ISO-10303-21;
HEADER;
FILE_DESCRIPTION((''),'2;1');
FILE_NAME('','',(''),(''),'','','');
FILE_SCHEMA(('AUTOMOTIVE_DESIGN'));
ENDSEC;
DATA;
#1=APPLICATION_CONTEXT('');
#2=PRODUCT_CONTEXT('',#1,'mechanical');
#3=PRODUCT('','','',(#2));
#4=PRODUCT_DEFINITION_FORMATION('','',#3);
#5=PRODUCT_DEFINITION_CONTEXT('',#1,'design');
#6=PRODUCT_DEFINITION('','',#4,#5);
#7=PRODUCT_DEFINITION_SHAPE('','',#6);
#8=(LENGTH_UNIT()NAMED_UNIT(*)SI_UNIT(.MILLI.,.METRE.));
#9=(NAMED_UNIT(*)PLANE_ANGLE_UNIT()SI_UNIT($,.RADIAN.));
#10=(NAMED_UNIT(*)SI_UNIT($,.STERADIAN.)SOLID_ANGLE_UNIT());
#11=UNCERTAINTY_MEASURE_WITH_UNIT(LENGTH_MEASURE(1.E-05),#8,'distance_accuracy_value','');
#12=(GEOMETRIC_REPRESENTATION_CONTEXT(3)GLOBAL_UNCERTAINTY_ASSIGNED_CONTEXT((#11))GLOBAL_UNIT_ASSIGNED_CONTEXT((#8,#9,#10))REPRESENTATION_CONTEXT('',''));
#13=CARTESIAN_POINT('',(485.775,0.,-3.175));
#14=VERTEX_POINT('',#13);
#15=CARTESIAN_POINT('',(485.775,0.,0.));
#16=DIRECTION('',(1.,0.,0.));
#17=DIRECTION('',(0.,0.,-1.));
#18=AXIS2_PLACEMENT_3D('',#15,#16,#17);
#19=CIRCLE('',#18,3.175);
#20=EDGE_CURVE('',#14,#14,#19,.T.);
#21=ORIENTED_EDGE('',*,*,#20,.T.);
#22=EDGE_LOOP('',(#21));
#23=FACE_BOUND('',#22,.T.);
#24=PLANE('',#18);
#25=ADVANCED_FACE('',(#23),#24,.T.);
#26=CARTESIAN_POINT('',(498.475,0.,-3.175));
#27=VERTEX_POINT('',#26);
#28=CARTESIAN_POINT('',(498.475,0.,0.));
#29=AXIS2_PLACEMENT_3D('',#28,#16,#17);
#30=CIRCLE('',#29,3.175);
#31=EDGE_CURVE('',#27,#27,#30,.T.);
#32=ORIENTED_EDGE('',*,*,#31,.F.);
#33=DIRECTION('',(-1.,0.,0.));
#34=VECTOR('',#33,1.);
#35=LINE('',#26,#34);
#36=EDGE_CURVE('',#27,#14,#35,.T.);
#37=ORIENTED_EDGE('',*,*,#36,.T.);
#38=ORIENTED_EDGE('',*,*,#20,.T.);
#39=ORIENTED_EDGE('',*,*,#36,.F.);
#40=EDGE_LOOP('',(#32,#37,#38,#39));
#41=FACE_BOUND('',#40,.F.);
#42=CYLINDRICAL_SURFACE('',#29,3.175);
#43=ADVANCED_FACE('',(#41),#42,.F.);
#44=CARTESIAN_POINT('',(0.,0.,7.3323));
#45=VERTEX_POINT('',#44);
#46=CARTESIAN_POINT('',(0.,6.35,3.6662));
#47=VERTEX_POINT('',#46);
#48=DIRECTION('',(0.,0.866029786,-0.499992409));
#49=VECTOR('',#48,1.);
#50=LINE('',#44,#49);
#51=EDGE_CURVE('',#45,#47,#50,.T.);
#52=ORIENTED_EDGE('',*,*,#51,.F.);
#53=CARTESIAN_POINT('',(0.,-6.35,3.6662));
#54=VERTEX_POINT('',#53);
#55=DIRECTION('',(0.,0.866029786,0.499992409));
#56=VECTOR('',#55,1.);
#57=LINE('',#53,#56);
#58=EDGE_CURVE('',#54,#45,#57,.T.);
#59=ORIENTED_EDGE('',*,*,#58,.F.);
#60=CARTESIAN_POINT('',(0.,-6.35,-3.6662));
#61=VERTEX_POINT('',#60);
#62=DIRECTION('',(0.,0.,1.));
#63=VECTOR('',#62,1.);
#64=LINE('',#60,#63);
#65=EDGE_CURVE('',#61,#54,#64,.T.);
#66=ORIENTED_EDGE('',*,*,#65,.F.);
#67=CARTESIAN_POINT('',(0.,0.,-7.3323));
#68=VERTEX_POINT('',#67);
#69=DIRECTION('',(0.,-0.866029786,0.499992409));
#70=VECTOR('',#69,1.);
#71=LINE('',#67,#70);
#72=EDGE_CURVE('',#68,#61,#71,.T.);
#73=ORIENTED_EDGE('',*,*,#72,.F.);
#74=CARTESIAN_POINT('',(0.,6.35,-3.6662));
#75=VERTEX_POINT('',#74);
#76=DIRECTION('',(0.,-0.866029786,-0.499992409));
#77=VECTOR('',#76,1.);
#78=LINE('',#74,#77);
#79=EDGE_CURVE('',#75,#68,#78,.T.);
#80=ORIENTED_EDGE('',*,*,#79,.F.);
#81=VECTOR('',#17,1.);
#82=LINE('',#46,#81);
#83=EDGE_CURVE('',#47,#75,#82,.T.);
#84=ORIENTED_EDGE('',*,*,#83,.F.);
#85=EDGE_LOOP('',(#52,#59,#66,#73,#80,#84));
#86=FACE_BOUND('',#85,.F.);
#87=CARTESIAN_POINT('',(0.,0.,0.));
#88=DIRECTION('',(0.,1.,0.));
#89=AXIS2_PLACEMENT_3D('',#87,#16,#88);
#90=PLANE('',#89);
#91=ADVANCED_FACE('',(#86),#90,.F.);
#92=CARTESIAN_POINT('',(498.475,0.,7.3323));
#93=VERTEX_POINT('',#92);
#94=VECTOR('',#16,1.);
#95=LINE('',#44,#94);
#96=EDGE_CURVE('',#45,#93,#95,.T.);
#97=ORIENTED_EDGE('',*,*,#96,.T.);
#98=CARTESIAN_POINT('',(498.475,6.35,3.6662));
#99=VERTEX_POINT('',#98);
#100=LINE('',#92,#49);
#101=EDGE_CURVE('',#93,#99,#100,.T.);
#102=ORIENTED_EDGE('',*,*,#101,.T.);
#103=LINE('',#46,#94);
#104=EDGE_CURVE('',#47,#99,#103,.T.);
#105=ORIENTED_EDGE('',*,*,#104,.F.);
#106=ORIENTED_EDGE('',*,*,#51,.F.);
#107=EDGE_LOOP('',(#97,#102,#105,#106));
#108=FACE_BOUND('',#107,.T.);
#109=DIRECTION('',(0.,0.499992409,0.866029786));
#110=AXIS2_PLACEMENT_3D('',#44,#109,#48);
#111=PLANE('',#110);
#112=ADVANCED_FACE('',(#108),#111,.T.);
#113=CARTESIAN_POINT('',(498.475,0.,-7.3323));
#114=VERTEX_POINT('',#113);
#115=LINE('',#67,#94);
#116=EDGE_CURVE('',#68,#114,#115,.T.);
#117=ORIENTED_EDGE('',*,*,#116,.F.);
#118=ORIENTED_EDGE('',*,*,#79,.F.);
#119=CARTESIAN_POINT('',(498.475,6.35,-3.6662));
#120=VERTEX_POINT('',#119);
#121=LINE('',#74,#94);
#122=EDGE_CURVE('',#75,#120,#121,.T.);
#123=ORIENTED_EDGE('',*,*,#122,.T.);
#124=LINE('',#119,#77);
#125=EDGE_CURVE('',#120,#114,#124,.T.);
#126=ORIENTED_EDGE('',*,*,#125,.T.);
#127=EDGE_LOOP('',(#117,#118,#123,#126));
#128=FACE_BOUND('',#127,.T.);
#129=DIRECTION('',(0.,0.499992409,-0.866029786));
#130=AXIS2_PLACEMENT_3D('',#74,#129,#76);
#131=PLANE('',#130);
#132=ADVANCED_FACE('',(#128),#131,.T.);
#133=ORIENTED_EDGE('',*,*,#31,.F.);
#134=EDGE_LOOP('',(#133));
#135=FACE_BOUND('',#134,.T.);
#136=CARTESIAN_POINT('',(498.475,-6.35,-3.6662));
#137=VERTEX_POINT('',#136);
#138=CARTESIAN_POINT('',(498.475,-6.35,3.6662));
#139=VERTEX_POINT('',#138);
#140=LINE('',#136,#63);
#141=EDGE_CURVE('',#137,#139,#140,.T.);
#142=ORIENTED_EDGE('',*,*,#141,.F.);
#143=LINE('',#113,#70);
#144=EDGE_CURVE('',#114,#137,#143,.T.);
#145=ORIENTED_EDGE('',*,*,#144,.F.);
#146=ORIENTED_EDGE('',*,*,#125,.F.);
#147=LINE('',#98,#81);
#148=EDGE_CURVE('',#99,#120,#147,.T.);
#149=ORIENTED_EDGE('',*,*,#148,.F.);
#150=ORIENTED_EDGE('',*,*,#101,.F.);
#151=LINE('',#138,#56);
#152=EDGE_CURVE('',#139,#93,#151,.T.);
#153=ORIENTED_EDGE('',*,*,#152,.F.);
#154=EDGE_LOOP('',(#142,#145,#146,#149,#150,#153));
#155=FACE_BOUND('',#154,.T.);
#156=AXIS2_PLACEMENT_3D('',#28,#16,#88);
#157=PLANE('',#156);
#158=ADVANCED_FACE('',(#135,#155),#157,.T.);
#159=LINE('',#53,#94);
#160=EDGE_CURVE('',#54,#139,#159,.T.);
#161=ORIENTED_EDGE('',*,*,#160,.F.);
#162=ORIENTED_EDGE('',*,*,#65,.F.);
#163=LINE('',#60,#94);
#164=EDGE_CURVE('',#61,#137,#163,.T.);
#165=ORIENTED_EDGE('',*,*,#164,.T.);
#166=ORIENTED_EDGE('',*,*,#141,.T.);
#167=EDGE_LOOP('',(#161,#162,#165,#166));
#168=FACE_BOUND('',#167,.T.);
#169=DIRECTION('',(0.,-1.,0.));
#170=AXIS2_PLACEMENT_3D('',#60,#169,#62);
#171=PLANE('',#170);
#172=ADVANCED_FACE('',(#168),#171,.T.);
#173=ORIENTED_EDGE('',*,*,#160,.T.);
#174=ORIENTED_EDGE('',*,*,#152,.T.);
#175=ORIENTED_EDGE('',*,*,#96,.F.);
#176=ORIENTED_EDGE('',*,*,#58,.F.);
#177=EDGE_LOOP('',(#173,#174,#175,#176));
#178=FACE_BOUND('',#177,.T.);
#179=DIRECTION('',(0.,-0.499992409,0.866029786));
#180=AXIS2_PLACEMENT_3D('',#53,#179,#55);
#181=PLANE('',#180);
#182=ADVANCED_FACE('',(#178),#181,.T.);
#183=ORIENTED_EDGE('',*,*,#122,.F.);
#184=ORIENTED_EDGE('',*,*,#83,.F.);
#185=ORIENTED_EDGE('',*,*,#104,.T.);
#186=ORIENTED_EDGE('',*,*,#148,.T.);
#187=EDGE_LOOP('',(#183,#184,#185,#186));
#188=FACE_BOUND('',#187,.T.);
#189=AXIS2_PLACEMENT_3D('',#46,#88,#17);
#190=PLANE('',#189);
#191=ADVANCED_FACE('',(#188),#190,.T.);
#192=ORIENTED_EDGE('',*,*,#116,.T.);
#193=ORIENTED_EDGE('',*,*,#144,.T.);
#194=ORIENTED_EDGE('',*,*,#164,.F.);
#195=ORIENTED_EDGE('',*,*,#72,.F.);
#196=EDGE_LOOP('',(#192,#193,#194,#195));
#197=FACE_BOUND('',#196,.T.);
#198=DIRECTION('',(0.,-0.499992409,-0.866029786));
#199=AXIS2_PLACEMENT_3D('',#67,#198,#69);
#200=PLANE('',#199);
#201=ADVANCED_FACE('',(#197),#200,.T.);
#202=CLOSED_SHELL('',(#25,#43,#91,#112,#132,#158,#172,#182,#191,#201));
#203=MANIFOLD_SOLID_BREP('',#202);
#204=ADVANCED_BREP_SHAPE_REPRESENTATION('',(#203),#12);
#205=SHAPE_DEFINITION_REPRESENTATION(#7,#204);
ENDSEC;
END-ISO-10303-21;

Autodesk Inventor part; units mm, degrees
ref_plane "YZ Plane" through (0, 0, 0) normal (1, 0, 0) x (0, 1, 0)
ref_plane "XZ Plane" through (0, 0, 0) normal (0, 1, 0) x (-1, 0, 0)
ref_plane "XY Plane" through (0, 0, 0) normal (0, 0, 1) x (1, 0, 0)
sketch "Sketch1" plane through (0, 0, 0) normal (1, 0, 0) x (0, 1, 0)
  line L0 (6.35, 3.6662) -> (6.35, -3.6662)
  line L1 (6.35, -3.6662) -> (0, -7.3323)
  line L2 (0, -7.3323) -> (-6.35, -3.6662)
  line L3 (-6.35, -3.6662) -> (-6.35, 3.6662)
  line L4 (-6.35, 3.6662) -> (0, 7.3323)
  line L5 (0, 7.3323) -> (6.35, 3.6662)
  point P0 (0, 0)
  dimension "d0" = 12.7
  dimension "d1" = 12.7
  dimension "d2" = 12.7
  dimension "d3" = 6.35
  dimension "d4" = 120
  dimension "d5" = 120
  dimension "d6" = 6.35
  dimension "d7" = 6.35
extrude "Extrusion1" add sketch "Sketch1" along normal blind 498.475
sketch "Sketch2" plane through (498.475, 0, 0) normal (1, 0, 0) x (0, 0, -1)
  circle A0 centre (0, 0) radius 3.175
  dimension "d10" = 6.35
extrude "Extrusion2" cut sketch "Sketch2" against normal blind 12.7
thread "Thread1" size "1/4-20 UNC" class "2B" standard "ANSI Unified Screw Threads" full length
properties part number "0.5 hex shaft" material "Steel, Alloy"
